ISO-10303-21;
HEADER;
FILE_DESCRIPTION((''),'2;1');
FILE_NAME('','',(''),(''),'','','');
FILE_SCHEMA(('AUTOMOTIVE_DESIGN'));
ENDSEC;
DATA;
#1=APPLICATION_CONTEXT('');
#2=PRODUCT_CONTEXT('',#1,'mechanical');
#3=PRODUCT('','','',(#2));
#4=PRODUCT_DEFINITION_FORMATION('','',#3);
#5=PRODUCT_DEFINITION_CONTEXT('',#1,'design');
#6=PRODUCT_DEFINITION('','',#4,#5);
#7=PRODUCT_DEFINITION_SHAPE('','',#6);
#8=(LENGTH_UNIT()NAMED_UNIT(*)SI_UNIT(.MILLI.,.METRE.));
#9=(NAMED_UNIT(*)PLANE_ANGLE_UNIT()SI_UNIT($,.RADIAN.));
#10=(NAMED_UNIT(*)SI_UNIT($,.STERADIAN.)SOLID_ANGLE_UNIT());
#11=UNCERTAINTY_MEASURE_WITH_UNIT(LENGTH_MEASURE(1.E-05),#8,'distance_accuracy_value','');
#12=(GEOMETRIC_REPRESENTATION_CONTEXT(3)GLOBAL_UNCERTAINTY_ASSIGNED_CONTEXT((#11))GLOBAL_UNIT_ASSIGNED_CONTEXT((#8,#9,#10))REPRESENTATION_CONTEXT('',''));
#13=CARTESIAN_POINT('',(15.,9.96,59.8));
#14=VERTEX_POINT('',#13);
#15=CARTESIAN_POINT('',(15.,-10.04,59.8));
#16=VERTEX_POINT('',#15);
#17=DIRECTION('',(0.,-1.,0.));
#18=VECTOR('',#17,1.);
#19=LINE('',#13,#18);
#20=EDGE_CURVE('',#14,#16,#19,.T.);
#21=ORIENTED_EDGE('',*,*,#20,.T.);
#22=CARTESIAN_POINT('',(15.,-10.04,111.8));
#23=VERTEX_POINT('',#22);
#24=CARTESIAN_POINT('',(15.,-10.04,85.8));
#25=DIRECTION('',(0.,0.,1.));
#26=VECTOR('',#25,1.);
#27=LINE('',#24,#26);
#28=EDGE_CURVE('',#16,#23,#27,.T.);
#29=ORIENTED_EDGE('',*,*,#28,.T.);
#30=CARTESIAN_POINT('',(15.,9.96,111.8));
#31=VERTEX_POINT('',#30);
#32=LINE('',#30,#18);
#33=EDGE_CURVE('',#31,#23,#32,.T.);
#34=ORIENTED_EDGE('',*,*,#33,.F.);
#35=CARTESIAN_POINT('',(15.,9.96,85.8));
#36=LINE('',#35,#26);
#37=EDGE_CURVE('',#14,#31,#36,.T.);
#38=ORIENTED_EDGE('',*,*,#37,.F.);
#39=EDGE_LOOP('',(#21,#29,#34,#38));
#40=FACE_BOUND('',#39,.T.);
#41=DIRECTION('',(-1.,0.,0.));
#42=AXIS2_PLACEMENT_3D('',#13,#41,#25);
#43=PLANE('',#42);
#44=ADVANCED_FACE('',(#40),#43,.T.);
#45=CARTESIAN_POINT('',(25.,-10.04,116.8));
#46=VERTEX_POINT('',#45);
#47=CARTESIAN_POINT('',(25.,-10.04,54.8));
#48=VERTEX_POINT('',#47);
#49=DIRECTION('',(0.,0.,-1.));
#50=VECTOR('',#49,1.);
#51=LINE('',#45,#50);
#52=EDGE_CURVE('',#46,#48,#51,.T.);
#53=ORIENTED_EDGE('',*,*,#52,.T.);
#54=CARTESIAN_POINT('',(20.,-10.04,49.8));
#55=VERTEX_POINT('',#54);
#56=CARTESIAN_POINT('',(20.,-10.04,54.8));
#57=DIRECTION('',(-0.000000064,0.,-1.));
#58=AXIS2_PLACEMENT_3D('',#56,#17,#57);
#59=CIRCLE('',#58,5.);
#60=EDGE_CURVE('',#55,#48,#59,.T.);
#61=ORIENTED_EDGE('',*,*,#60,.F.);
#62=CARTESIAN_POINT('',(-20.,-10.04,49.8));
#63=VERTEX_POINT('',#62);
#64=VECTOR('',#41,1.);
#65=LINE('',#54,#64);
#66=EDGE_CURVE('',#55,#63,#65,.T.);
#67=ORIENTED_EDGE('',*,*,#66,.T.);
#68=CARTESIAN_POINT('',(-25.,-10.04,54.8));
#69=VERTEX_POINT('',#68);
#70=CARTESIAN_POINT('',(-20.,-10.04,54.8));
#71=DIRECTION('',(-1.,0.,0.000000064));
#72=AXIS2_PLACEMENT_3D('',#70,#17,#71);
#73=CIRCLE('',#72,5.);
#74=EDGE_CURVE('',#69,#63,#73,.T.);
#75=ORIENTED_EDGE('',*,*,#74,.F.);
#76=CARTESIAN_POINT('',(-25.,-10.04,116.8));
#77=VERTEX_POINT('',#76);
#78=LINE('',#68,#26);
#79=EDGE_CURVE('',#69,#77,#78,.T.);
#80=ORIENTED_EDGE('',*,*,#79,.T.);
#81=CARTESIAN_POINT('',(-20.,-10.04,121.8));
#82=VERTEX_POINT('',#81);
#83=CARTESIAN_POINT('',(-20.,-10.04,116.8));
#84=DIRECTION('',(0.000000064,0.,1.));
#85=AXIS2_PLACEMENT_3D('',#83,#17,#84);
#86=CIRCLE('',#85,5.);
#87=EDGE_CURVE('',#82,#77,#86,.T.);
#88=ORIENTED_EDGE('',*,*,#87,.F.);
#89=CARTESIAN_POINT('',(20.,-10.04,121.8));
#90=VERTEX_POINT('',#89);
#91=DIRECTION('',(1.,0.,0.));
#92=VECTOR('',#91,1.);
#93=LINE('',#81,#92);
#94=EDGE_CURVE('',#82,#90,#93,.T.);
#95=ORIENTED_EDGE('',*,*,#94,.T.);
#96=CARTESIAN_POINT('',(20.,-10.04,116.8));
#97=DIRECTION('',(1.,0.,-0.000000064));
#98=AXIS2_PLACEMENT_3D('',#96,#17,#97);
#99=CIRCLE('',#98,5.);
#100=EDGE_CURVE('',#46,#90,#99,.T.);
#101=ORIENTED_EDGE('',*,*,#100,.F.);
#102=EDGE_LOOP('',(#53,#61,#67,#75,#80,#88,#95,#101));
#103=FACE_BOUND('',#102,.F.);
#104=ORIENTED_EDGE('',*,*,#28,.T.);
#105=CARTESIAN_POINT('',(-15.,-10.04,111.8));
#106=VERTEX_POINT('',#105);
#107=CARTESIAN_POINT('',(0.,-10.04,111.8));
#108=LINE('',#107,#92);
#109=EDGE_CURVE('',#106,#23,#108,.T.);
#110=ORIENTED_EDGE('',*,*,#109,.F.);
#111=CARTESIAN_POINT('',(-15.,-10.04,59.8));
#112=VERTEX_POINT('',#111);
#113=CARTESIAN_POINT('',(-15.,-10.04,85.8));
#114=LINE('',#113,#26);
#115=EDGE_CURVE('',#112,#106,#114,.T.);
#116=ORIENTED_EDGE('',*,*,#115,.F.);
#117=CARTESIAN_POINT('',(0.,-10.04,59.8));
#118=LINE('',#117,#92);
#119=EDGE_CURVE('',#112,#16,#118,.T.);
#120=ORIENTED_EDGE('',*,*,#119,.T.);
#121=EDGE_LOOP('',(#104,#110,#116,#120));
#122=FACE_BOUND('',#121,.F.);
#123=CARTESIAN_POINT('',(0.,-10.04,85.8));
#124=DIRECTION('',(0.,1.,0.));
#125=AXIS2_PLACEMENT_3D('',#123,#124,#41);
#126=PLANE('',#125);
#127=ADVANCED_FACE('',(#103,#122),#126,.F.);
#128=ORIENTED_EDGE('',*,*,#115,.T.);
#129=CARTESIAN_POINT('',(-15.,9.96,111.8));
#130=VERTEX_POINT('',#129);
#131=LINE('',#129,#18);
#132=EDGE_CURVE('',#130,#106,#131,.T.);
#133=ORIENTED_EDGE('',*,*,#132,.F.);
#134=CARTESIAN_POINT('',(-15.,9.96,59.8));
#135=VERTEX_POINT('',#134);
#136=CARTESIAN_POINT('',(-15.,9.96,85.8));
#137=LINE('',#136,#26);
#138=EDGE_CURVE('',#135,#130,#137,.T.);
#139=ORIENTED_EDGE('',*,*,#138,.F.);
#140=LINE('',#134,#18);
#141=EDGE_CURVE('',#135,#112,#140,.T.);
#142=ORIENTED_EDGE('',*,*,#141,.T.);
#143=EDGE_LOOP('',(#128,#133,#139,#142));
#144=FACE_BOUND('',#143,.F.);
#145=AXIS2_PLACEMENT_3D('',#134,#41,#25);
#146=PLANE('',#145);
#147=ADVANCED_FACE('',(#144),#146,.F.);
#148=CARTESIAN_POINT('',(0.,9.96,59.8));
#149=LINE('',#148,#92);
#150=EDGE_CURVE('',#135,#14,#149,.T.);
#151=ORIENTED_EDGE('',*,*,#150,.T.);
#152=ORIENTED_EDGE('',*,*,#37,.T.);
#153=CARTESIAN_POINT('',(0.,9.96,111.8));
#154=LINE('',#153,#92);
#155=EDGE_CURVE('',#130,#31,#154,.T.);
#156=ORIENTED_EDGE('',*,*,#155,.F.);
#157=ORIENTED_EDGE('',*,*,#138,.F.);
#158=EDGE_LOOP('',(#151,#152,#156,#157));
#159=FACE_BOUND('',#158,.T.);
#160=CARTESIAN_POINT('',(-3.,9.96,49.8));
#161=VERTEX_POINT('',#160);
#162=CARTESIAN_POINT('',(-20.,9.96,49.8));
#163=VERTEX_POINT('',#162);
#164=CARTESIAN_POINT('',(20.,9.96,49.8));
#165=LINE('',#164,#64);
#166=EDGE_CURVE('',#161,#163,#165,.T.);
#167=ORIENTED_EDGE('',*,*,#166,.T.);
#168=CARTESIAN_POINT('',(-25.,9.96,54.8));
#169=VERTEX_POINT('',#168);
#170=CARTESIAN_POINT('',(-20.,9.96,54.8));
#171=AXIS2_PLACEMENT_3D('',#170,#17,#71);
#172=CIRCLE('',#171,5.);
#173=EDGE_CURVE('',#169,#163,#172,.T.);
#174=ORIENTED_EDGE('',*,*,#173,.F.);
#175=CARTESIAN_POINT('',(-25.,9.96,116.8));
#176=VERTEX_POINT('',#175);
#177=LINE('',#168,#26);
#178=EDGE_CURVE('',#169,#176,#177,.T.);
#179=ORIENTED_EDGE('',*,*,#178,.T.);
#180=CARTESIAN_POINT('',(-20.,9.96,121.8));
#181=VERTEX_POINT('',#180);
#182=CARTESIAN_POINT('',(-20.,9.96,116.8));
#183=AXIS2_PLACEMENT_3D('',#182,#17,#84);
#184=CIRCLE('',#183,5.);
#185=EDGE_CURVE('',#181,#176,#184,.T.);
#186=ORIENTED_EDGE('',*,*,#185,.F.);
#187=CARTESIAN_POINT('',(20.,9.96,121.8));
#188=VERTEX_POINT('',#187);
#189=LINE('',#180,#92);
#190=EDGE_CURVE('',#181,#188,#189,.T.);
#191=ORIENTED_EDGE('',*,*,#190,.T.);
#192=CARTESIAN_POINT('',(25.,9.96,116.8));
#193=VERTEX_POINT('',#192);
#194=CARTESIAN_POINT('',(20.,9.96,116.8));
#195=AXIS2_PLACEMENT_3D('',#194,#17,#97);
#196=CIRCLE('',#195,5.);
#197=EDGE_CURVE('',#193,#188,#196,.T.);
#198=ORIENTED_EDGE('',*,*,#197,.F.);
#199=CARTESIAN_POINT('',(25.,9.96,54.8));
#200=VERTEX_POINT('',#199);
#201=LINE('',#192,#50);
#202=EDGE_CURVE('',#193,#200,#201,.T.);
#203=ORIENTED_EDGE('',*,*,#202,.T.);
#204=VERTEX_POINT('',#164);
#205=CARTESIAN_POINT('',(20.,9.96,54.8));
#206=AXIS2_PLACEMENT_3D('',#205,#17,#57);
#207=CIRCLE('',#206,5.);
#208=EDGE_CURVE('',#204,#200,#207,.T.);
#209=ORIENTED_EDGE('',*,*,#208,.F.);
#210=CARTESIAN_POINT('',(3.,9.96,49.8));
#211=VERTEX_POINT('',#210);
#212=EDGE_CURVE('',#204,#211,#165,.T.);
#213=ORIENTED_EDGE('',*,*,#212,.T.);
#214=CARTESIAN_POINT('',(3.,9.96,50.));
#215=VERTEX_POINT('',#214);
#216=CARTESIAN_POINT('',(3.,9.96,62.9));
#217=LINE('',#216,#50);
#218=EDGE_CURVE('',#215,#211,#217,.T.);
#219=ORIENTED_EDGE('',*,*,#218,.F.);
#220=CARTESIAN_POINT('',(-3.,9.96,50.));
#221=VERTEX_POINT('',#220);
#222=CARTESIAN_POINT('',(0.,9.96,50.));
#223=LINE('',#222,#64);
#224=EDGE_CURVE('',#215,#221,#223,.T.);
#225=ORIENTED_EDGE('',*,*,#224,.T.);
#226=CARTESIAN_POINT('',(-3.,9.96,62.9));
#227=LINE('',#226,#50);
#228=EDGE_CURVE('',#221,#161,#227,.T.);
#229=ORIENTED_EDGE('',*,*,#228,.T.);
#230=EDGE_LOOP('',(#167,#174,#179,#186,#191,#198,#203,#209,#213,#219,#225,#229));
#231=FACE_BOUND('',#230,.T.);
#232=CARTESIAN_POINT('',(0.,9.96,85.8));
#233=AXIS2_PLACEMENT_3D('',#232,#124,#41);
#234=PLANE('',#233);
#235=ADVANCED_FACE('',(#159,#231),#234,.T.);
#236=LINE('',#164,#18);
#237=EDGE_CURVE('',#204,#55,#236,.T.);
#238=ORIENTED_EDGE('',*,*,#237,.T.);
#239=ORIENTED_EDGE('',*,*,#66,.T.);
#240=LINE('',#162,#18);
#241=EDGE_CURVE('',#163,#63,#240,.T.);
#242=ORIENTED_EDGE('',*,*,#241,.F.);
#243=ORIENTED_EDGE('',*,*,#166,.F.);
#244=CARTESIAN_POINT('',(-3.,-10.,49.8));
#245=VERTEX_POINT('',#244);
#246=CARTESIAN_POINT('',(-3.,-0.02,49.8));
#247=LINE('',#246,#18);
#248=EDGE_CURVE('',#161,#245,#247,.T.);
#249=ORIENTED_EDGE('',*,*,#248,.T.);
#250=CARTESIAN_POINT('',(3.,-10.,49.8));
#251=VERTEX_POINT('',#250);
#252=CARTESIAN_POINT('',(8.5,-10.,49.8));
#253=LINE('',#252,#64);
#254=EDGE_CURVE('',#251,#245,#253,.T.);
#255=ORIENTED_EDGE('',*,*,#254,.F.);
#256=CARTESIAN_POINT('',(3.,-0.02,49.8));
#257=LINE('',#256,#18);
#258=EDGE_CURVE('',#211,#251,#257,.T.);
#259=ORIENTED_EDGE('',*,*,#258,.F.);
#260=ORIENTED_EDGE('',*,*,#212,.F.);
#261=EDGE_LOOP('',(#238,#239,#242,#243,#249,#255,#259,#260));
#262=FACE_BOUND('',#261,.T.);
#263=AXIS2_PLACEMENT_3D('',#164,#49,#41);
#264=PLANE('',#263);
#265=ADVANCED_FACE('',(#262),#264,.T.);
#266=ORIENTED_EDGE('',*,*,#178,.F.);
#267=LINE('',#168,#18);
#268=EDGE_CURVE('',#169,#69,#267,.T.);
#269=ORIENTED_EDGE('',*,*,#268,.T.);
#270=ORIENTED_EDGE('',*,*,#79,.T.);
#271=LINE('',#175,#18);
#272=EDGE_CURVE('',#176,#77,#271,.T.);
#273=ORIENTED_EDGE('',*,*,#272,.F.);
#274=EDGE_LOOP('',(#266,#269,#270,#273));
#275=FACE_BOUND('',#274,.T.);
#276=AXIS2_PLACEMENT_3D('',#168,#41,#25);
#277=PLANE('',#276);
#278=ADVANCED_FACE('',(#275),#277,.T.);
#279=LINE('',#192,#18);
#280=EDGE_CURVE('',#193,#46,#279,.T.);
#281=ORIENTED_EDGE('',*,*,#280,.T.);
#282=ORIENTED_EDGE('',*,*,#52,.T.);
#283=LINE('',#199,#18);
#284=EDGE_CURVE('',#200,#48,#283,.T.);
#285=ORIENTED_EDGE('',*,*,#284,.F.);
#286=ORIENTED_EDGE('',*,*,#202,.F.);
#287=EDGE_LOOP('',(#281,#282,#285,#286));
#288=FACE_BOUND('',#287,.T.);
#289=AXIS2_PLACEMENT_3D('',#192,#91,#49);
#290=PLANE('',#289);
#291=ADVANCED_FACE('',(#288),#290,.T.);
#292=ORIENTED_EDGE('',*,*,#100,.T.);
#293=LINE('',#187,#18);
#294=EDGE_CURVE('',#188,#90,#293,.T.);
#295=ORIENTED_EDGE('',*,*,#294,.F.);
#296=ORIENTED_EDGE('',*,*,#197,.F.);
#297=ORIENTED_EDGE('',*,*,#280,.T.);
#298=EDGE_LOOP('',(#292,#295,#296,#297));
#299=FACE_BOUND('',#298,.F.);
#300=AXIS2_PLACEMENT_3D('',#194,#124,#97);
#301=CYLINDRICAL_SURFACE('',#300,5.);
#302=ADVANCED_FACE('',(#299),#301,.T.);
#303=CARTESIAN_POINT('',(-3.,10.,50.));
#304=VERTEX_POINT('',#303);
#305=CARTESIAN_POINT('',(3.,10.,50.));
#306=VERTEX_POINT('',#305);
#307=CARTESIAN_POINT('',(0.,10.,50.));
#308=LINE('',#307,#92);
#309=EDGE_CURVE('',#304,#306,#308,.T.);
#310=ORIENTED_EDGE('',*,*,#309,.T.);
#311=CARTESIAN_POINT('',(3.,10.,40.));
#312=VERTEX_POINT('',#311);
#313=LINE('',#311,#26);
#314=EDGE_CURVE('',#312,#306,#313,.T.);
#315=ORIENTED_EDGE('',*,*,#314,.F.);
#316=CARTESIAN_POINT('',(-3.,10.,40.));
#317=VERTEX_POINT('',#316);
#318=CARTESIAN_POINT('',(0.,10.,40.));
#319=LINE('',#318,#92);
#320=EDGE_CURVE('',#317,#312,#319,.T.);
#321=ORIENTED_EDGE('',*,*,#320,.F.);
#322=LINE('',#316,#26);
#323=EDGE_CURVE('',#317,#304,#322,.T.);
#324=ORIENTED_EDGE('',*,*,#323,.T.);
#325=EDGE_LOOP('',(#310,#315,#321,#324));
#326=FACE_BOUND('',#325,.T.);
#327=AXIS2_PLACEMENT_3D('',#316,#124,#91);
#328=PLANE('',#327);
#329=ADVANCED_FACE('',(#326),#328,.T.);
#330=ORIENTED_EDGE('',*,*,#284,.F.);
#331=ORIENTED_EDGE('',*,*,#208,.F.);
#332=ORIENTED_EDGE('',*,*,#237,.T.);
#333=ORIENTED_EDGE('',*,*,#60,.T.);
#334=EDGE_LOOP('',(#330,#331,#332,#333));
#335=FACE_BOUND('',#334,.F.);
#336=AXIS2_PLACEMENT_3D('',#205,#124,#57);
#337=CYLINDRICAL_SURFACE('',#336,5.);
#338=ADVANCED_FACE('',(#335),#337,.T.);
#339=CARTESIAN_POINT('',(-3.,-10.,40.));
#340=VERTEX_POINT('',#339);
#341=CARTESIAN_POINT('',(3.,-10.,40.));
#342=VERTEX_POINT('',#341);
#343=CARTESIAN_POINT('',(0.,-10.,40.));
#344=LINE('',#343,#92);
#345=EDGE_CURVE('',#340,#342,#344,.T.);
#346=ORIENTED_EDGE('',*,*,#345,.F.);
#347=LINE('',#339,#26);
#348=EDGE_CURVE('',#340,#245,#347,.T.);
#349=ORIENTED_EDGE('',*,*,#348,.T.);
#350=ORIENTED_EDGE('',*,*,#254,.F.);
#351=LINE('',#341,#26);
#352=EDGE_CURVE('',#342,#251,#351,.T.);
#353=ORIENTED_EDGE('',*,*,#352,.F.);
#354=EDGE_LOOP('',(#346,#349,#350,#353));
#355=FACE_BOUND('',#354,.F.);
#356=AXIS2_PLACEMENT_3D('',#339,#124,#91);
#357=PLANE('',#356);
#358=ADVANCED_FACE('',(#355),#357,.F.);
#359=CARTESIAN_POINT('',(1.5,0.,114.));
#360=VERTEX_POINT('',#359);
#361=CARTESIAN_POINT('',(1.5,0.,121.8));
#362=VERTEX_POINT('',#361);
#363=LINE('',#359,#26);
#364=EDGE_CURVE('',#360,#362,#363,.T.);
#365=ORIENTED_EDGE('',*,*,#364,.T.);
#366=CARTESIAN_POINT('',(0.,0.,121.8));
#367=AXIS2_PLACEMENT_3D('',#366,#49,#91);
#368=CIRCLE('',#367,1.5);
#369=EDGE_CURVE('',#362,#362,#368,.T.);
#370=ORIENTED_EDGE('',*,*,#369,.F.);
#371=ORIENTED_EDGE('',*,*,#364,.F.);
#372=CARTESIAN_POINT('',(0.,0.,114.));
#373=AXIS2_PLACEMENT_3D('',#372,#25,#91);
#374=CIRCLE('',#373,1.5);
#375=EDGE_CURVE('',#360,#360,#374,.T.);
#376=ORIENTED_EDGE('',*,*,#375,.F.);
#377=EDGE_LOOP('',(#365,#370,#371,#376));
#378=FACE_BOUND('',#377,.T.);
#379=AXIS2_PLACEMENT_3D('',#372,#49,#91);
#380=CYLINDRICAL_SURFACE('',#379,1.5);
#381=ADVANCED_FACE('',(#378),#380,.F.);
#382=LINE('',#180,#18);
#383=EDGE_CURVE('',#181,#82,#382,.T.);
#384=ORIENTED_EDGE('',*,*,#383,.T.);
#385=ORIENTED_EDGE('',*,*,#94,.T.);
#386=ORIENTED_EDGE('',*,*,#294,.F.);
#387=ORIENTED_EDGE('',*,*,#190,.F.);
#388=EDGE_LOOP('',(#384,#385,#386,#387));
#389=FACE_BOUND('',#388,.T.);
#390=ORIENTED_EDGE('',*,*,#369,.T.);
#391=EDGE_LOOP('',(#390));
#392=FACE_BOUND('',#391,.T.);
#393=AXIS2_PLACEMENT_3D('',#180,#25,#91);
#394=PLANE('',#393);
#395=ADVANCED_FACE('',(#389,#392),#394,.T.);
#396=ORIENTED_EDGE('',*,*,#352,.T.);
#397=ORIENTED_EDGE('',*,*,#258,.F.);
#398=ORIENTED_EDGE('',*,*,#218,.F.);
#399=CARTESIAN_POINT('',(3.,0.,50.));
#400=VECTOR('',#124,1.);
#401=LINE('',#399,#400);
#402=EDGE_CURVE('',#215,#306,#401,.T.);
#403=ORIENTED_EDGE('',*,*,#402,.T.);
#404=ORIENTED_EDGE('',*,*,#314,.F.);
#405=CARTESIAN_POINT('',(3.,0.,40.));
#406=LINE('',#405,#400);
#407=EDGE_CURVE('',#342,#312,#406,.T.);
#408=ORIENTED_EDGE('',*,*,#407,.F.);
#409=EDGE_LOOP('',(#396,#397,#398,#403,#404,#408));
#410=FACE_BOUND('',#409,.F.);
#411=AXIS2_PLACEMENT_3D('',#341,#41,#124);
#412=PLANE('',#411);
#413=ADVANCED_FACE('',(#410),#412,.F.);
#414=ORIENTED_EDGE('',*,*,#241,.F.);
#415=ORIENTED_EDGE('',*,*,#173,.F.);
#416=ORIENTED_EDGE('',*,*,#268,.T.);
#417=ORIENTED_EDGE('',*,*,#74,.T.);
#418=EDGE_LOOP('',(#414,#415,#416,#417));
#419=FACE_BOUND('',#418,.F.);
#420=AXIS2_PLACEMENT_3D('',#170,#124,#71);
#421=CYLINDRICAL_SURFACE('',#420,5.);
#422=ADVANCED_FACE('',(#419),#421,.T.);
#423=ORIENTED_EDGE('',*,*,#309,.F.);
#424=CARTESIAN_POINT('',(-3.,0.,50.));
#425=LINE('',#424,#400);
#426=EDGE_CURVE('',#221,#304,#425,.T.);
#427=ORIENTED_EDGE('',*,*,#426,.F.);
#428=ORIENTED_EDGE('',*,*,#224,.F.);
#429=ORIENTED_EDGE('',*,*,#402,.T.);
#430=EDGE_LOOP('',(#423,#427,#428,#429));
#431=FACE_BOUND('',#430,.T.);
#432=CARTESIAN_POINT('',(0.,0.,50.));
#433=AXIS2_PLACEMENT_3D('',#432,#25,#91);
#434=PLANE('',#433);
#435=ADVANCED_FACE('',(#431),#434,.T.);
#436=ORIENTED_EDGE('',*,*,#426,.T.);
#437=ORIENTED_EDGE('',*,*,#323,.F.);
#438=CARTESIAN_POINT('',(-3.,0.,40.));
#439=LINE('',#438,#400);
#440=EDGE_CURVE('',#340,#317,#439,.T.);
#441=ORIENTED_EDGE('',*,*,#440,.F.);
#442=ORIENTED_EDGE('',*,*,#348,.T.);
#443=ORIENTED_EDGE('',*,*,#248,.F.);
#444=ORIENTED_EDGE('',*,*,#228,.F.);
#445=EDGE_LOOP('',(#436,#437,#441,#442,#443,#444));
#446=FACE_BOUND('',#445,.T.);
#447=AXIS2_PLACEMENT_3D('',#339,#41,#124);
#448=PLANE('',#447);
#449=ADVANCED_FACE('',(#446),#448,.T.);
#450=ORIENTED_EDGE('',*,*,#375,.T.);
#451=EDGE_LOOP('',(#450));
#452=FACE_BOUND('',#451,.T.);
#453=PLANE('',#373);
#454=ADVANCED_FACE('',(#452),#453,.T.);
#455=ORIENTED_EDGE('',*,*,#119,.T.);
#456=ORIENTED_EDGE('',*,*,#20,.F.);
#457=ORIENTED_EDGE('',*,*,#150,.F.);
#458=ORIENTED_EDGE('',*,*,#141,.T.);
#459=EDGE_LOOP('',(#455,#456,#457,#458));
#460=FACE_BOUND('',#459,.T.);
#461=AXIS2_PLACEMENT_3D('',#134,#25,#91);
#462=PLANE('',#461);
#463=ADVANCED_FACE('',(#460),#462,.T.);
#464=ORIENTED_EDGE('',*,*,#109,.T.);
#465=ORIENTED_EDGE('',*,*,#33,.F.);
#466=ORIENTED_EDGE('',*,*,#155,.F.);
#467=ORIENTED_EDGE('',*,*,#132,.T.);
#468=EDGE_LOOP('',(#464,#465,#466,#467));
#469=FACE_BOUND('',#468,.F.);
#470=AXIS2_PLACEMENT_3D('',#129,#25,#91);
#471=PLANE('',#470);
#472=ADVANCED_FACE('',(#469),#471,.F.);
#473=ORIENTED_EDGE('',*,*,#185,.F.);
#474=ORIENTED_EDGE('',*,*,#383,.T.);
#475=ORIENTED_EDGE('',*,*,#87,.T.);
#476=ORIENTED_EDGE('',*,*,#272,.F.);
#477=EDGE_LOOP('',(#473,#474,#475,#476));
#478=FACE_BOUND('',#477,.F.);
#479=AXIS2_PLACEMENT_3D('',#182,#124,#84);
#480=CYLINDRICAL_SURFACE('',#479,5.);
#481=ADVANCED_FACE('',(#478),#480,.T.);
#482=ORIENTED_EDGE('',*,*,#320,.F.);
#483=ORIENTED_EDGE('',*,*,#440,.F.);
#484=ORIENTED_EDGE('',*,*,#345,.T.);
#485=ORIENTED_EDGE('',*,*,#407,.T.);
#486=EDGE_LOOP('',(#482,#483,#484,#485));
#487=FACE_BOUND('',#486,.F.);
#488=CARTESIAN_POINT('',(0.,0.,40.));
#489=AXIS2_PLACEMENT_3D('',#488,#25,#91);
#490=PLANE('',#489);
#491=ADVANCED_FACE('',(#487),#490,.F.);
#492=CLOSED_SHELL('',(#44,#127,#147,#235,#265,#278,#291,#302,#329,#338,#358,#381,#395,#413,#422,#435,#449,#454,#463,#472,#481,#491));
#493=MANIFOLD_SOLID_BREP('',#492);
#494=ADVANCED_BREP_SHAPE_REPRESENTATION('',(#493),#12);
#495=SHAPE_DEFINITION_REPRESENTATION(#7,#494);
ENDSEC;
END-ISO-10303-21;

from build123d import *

# Parameters (mm, degrees)
CYLINDER001_R         = 1.5
CYLINDER001_DEPTH     = 10
SKETCH002_W           = 15
SKETCH002_H           = 26
PAD_DEPTH             = 10
CLONE_SCALE_SCALE     = 2
CLONE_PLACEMENT_ANGLE = 90
BOX_W                 = 6
BOX_H                 = 20
BOX_DEPTH             = 10


with BuildPart() as cilinder001:
    # Cylinder001 → Cylinder001 (new body)
    with BuildSketch(Plane.XY.offset(114)):
        Circle(CYLINDER001_R)
    extrude(amount=CYLINDER001_DEPTH)


with BuildPart() as nul:
    # Sketch002 → Pad (new body)
    with BuildSketch(Plane.XY.offset(11.4)):
        with BuildLine():
            Line((-10, -18), (10, -18))
            ThreePointArc((12.5, -20.5), (11.767767, -18.732233), (10, -18))
            Line((12.5, -20.5), (12.5, -51.5))
            ThreePointArc((10, -54), (11.767767, -53.267767), (12.5, -51.5))
            Line((10, -54), (-10, -54))
            ThreePointArc((-12.5, -51.5), (-11.767767, -53.267767), (-10, -54))
            Line((-12.5, -51.5), (-12.5, -20.5))
            ThreePointArc((-10, -18), (-11.767767, -18.732233), (-12.5, -20.5))
        make_face()
        with Locations((0, -36)):
            Rectangle(SKETCH002_W, SKETCH002_H, mode=Mode.SUBTRACT)
    extrude(amount=PAD_DEPTH)


with BuildPart() as nul_1:
    # Clone scale: moved
    add(nul.part.scale(CLONE_SCALE_SCALE))


with BuildPart() as nul_2:
    # Clone placement: moved
    add(nul_1.part.moved(Location((0, 32.76, 157.8))).rotate(Axis((0, 32.76, 157.8), (1, 0, 0)), CLONE_PLACEMENT_ANGLE))


with BuildPart() as de_nul:
    # Box → Box (new body)
    with BuildSketch(Plane(origin=(-3, -10, 40), x_dir=(1, 0, 0), z_dir=(0, 0, 1))):
        with Locations((3, 10)):
            Rectangle(BOX_W, BOX_H)
    extrude(amount=BOX_DEPTH)

    # Fusion001: union Nul
    add(nul_2.part)

    # Cut001: cut Cilinder001
    add(cilinder001.part, mode=Mode.SUBTRACT)


solid = de_nul.part
